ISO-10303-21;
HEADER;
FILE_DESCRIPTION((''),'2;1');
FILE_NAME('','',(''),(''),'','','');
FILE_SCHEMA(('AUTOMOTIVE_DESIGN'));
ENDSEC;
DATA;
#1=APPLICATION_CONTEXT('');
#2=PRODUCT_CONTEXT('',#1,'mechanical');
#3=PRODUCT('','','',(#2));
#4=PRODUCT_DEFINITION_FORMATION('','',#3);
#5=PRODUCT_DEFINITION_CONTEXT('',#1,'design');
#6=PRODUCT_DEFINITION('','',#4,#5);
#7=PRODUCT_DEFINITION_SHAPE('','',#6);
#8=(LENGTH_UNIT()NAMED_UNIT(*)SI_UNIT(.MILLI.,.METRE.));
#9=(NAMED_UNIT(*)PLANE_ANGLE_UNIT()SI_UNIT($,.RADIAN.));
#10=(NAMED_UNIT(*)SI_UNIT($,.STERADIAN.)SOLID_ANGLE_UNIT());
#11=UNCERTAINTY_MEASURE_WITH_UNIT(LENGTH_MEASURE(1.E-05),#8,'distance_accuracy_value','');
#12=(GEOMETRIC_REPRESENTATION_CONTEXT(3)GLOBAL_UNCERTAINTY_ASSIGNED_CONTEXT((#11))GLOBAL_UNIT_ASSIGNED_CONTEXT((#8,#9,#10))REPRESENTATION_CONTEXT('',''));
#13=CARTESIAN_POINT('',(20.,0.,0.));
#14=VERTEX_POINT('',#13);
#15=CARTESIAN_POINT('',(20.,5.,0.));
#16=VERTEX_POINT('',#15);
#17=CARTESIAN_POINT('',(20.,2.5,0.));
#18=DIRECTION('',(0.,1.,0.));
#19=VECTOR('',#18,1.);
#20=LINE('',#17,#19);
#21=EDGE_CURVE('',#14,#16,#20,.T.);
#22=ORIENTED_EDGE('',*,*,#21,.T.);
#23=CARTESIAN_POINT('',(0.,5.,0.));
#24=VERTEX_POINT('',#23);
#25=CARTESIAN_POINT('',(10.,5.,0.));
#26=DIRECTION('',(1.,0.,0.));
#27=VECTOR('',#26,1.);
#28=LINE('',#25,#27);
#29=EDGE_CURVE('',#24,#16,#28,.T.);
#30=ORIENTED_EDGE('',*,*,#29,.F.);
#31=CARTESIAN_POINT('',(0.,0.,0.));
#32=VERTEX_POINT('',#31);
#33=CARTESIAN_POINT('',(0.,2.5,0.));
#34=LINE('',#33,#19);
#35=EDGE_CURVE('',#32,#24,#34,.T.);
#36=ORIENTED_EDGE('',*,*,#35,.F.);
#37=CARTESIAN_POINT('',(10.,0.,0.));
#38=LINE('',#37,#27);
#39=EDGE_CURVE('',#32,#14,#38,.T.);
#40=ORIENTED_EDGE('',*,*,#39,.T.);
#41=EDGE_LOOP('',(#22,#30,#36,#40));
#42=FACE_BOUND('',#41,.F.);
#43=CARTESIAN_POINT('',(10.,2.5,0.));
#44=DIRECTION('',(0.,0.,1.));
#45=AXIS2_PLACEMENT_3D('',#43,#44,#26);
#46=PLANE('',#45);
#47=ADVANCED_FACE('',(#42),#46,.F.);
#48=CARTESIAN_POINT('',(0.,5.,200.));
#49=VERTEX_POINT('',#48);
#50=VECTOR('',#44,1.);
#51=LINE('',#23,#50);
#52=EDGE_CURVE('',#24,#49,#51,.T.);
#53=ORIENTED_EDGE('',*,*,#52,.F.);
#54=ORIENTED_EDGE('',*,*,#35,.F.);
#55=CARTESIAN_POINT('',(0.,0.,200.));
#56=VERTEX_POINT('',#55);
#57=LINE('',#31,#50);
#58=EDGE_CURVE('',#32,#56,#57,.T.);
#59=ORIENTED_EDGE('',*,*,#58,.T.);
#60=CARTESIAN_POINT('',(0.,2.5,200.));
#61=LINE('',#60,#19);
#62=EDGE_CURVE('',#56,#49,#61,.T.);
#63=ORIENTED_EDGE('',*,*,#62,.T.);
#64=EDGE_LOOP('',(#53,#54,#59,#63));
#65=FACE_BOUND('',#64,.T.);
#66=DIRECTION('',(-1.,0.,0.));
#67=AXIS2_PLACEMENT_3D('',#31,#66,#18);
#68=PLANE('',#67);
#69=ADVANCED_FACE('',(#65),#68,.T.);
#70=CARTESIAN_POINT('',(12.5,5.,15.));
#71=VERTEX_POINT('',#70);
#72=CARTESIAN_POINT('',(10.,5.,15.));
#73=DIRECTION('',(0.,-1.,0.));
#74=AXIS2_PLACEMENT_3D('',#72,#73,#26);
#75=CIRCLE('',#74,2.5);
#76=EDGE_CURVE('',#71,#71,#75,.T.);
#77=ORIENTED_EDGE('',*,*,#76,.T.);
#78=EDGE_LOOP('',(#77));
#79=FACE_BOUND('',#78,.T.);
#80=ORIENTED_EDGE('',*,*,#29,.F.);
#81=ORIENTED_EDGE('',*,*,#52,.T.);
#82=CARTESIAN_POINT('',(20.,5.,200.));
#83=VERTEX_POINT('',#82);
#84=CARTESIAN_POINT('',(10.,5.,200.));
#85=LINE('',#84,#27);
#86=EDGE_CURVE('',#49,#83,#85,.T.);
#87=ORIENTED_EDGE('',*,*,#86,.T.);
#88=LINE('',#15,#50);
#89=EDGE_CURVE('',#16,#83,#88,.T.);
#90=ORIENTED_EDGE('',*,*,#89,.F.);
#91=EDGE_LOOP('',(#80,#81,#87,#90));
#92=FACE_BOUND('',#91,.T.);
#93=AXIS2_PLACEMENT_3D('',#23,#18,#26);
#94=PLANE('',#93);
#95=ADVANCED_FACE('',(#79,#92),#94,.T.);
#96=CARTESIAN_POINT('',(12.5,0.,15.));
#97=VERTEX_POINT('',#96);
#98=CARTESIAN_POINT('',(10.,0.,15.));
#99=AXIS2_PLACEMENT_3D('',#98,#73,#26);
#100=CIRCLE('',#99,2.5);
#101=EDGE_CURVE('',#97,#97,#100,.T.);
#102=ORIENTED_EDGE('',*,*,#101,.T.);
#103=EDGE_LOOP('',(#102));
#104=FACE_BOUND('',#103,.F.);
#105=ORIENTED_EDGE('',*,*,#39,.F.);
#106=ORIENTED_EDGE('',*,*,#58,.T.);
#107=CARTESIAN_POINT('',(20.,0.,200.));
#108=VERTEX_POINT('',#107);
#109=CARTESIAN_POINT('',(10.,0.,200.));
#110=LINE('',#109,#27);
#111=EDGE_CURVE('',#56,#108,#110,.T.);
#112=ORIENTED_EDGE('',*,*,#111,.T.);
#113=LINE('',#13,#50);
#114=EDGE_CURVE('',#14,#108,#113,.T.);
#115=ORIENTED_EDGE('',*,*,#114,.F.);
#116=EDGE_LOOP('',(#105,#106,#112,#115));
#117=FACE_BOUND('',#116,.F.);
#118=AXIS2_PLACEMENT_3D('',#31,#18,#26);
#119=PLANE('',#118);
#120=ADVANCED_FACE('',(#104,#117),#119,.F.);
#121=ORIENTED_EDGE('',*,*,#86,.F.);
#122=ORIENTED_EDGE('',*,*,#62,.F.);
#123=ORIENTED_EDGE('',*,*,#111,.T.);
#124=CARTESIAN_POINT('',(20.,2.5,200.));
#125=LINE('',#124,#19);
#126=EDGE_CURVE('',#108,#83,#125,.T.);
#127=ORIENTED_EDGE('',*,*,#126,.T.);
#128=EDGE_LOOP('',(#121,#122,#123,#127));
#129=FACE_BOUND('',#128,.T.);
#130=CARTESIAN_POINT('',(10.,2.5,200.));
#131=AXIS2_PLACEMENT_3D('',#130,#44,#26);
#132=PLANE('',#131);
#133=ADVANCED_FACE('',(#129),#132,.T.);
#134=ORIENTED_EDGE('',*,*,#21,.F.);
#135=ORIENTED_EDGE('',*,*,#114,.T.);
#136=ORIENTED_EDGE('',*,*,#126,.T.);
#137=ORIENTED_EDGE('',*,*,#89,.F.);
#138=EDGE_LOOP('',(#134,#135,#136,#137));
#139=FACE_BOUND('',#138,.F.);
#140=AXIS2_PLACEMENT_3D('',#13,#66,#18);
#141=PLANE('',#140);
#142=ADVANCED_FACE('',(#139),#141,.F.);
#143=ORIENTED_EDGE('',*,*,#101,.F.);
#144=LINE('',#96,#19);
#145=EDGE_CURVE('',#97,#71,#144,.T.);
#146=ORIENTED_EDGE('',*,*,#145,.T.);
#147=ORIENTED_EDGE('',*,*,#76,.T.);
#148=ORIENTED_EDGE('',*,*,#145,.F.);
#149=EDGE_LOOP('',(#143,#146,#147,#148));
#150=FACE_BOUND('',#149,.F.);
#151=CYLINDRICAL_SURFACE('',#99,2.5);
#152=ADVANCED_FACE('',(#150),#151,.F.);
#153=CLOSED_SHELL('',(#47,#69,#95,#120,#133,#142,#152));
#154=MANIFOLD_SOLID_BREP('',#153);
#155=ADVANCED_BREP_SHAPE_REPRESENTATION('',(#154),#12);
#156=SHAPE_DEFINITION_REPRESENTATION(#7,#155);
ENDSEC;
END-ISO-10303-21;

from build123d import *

# Parameters (mm, degrees)
BOX_W        = 20
BOX_H        = 5
BOX_DEPTH    = 200
SKETCH_R     = 2.5
POCKET_DEPTH = 5


with BuildPart() as part:
    # Box → Box (new body)
    with BuildSketch(Plane.XY):
        with Locations((10, 2.5)):
            Rectangle(BOX_W, BOX_H)
    extrude(amount=BOX_DEPTH)

    # Sketch (on Face3 of Box) → Pocket (cut)
    with BuildSketch(Plane.XZ):
        with Locations((10, 15)):
            Circle(SKETCH_R)
    extrude(amount=-POCKET_DEPTH, mode=Mode.SUBTRACT)


solid = part.part
